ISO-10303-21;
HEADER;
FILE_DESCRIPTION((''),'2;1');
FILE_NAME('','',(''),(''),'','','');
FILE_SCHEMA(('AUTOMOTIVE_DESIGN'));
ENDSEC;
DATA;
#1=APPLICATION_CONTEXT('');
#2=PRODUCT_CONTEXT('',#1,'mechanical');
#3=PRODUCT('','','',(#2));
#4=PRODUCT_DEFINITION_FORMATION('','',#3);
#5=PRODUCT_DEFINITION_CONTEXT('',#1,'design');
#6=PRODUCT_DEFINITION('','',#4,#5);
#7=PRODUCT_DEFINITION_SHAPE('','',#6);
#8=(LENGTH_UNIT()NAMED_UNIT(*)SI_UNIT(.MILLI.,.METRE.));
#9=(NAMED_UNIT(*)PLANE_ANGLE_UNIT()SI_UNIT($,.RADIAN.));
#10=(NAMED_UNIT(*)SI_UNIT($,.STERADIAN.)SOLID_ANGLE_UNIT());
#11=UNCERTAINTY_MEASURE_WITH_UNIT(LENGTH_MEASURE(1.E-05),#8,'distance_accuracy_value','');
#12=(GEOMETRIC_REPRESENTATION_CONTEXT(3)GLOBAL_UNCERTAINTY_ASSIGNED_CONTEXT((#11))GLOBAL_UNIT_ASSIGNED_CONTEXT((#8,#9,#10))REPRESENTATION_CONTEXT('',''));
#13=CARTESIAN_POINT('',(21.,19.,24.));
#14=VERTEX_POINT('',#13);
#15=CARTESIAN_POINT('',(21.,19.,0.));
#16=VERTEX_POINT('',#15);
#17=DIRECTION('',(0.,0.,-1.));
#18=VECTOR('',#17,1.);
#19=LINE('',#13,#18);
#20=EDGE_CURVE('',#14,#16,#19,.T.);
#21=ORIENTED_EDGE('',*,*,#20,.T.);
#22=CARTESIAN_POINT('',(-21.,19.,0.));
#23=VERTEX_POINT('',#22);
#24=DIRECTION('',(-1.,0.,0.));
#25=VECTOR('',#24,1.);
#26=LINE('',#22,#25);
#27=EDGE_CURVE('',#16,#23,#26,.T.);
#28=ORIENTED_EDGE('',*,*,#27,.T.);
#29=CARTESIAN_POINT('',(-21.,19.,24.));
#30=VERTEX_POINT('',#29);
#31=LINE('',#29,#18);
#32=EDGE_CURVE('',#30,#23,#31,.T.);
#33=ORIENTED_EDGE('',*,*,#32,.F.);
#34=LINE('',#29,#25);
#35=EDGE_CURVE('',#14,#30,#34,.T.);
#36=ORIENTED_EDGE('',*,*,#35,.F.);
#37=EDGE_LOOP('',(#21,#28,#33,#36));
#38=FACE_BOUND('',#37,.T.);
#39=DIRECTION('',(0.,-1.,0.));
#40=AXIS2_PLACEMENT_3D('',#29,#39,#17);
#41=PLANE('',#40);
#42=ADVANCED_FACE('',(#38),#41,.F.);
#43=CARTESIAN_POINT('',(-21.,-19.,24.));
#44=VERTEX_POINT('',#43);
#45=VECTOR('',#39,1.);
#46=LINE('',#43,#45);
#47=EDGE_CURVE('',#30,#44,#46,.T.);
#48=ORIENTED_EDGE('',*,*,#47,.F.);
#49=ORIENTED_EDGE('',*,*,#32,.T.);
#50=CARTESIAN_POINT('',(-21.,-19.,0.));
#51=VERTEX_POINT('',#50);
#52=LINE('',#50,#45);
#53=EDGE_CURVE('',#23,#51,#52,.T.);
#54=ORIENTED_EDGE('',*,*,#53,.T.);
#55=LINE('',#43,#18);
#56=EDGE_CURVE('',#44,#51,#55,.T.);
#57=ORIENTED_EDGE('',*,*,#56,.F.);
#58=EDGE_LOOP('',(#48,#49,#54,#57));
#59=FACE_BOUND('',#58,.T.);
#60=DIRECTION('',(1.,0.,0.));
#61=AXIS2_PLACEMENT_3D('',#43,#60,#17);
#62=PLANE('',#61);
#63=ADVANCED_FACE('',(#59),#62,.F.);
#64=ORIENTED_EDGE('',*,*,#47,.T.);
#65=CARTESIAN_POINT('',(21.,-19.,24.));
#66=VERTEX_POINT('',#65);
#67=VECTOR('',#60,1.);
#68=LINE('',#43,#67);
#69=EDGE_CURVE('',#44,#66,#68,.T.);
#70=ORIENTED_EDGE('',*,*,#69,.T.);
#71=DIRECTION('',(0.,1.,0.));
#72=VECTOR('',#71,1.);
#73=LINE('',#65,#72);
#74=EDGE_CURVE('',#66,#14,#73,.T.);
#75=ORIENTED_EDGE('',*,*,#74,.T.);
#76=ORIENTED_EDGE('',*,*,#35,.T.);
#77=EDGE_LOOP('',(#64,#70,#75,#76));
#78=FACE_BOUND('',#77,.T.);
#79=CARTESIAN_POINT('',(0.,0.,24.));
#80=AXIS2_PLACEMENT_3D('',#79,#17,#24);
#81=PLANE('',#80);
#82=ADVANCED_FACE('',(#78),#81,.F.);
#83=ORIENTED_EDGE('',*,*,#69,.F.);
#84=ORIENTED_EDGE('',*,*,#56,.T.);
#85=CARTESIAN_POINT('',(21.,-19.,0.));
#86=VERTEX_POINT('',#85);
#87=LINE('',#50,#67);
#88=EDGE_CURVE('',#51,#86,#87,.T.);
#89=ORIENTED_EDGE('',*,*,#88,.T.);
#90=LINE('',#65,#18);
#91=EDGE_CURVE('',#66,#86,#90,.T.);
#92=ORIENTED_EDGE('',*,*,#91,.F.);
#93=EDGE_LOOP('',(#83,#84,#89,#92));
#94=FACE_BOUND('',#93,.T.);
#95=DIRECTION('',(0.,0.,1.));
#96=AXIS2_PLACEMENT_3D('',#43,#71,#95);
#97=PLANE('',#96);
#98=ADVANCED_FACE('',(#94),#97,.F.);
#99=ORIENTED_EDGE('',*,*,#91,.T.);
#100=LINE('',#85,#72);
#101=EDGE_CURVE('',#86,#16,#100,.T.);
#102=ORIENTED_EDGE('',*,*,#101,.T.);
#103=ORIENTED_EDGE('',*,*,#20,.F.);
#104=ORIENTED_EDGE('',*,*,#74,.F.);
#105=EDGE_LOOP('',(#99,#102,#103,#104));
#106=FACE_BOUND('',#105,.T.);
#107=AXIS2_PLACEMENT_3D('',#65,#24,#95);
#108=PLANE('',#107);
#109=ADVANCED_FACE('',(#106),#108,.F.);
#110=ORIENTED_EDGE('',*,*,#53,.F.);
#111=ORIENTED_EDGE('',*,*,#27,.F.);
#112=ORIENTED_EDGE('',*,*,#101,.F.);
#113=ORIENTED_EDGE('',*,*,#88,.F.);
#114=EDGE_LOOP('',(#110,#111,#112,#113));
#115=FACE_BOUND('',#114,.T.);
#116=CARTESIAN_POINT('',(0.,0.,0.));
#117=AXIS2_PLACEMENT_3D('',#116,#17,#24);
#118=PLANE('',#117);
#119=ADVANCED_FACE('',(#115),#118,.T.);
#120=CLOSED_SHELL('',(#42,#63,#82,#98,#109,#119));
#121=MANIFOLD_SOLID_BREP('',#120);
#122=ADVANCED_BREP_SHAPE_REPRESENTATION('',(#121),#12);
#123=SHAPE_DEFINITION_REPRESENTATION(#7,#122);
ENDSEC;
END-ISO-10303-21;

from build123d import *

# Parameters (mm, degrees)
SKETCH_1_W      = 42
SKETCH_1_H      = 38
EXTRUDE_1_DEPTH = 24


with BuildPart() as part:
    # 草图1 → 凸台-拉伸1 (new body)
    with BuildSketch(Plane.XY):
        Rectangle(SKETCH_1_W, SKETCH_1_H)
    extrude(amount=EXTRUDE_1_DEPTH)


solid = part.part
